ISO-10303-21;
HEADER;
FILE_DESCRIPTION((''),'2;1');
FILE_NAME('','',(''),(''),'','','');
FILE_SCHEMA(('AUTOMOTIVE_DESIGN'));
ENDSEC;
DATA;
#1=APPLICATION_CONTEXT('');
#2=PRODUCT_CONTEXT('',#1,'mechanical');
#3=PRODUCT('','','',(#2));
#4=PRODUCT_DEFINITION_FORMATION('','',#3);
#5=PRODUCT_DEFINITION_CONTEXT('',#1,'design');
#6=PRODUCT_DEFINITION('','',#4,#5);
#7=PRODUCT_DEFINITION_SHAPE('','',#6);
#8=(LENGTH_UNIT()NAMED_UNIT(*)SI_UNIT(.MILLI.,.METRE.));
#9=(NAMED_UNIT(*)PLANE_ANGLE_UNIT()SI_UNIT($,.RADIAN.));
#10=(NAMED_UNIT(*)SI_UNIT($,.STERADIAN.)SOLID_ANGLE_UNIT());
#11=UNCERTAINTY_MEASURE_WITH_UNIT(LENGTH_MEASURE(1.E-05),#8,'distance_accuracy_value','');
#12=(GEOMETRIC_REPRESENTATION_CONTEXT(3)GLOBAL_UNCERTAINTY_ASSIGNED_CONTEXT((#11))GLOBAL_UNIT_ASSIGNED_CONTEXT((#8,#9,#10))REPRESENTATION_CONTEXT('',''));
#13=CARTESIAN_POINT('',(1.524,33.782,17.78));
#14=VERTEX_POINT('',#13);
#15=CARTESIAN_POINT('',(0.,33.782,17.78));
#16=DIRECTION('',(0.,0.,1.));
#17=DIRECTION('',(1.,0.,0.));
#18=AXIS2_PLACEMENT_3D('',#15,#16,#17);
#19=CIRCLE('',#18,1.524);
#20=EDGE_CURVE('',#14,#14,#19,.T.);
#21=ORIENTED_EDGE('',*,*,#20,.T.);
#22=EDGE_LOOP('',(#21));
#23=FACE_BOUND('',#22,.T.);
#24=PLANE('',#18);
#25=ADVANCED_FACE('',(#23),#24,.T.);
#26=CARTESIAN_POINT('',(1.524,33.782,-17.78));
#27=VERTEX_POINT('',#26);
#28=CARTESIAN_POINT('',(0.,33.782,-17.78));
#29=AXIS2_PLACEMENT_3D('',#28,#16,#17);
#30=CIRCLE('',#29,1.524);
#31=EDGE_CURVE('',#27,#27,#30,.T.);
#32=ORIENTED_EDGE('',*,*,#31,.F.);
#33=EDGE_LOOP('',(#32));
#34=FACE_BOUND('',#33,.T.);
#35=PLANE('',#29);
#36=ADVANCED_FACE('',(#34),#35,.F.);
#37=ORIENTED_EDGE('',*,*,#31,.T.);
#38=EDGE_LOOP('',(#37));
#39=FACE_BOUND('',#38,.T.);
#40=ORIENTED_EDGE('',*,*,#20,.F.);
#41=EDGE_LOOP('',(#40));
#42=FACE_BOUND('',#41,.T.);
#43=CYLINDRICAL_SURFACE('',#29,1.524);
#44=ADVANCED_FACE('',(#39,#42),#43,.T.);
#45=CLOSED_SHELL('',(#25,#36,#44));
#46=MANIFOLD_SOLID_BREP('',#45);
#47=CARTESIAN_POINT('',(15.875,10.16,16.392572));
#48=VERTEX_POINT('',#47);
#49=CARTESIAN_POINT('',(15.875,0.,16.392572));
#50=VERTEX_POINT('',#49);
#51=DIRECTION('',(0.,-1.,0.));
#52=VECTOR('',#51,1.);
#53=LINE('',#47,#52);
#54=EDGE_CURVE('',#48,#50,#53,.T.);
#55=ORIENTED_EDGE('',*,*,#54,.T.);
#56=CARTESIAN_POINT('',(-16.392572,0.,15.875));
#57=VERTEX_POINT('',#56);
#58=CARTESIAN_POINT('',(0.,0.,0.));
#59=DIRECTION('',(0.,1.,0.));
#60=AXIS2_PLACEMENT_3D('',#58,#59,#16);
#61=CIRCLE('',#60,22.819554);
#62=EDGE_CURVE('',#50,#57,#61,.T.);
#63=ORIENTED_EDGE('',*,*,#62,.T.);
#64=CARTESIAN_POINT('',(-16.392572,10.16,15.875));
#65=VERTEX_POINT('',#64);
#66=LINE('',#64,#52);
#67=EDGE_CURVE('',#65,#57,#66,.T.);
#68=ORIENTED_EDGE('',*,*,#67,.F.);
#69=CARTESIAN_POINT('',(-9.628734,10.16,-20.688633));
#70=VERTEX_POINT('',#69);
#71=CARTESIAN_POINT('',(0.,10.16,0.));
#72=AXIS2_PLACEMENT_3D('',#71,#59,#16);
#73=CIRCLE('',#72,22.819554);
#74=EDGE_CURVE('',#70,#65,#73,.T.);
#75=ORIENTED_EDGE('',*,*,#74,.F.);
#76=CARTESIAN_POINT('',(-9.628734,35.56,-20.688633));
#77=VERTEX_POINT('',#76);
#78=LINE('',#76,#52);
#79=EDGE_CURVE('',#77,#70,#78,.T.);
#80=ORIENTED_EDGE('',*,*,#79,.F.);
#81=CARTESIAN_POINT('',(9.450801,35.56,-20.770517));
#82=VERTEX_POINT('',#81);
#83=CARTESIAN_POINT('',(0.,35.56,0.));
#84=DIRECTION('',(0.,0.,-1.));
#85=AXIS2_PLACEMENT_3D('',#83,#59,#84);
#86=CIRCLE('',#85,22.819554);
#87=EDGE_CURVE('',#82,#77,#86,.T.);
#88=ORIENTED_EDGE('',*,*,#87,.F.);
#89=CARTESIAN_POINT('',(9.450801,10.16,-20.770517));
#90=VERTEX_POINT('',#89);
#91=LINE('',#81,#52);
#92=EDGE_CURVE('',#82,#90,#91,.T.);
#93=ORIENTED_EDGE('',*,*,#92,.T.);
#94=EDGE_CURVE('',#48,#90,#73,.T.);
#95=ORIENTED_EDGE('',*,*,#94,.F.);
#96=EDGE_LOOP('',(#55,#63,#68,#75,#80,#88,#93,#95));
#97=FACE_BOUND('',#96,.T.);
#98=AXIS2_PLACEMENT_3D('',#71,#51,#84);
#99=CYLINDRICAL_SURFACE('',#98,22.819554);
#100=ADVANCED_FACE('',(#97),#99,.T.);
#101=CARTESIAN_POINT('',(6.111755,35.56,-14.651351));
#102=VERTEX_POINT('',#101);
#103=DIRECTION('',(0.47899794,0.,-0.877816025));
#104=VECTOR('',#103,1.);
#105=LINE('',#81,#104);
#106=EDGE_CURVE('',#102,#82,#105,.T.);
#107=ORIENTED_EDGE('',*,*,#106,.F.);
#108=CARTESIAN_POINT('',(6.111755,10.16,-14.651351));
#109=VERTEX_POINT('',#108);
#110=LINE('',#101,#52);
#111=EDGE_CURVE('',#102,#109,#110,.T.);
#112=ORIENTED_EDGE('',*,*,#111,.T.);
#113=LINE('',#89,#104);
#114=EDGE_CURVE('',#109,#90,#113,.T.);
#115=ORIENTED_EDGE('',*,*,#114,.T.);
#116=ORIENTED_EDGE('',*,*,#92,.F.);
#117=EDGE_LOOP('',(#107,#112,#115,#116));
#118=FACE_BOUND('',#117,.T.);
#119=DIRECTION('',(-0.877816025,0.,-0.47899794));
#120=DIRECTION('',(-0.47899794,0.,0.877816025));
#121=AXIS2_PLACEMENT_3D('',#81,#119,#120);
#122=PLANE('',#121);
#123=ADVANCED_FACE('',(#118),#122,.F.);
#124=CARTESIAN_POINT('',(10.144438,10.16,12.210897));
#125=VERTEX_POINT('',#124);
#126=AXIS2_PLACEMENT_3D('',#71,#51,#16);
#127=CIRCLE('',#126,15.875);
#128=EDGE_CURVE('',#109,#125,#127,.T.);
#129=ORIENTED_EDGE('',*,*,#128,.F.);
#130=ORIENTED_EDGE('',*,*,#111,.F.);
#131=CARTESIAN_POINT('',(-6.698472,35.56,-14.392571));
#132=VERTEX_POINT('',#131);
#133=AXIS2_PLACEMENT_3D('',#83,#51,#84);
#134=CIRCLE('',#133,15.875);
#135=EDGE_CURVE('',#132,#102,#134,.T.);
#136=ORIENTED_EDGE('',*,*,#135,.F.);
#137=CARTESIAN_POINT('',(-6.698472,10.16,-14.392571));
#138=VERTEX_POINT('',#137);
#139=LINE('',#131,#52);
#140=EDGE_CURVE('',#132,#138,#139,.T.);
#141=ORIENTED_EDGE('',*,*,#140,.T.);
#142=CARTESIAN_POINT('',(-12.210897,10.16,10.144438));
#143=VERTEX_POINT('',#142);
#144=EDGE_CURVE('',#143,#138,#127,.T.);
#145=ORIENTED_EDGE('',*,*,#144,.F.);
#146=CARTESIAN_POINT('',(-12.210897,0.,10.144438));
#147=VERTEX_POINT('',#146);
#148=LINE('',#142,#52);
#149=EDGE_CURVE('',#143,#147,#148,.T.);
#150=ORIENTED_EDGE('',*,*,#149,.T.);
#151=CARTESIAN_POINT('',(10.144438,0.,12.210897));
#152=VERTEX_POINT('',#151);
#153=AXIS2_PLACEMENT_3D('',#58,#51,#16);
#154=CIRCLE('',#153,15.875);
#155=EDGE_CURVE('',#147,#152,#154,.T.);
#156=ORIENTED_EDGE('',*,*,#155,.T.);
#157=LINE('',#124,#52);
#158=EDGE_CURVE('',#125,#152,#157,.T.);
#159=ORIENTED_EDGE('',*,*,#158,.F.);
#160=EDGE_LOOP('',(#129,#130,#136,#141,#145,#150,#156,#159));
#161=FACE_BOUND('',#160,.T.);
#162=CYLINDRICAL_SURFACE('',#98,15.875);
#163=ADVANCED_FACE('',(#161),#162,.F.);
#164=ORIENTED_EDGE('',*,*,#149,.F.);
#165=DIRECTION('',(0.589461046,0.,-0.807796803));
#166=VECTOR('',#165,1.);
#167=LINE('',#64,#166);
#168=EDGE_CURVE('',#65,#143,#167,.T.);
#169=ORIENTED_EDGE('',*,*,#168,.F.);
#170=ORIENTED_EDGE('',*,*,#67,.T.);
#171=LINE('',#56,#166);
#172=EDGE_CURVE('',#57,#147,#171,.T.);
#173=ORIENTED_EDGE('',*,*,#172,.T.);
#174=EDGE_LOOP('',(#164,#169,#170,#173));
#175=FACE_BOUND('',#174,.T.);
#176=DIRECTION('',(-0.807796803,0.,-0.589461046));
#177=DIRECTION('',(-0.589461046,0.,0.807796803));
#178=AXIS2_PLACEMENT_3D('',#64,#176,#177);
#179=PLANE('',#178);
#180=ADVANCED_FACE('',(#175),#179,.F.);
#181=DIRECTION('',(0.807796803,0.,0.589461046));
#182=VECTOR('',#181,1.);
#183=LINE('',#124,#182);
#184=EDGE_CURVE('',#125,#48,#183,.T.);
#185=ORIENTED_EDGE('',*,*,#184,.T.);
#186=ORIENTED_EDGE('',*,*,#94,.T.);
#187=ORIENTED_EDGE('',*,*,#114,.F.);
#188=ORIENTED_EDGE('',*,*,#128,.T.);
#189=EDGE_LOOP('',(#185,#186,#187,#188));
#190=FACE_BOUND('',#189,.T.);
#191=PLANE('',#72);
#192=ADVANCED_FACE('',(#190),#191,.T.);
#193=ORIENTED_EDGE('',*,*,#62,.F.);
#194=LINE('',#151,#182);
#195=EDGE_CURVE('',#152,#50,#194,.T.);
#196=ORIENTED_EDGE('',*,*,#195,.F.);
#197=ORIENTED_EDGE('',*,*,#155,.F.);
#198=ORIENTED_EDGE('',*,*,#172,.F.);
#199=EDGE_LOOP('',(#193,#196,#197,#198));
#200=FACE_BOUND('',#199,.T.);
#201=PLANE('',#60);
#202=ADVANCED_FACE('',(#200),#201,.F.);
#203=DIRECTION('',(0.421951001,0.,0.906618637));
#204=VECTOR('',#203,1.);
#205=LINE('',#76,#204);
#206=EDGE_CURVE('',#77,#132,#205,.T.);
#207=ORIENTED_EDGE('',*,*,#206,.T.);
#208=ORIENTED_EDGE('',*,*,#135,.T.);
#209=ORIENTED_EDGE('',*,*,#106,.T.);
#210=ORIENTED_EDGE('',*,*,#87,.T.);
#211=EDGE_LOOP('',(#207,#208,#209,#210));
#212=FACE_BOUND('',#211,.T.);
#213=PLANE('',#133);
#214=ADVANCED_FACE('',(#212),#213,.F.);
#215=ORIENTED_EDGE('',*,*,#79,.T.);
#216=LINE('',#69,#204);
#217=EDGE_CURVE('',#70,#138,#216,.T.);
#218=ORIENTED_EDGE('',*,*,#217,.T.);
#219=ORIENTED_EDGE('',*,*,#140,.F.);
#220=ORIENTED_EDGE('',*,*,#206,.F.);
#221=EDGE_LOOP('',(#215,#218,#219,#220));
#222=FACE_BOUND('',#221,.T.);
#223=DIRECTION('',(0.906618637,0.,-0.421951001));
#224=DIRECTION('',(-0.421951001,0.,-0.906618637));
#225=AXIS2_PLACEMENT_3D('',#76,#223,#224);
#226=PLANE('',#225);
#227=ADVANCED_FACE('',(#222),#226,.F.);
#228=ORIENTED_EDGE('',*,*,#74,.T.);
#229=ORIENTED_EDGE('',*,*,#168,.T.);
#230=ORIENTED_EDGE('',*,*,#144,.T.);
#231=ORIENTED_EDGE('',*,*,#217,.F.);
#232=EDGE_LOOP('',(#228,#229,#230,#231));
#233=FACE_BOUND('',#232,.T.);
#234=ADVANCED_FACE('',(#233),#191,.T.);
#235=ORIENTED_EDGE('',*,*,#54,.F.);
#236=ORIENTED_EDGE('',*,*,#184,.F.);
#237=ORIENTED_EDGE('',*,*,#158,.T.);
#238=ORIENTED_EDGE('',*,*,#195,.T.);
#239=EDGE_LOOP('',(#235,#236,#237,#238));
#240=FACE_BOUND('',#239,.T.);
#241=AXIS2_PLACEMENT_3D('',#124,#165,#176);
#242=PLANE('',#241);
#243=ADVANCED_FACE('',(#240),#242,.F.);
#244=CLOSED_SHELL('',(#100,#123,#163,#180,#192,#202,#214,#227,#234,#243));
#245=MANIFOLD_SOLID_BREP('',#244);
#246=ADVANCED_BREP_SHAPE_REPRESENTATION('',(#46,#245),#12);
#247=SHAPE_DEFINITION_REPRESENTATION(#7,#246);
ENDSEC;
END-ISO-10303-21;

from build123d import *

# Parameters (mm, degrees)
BOSS_EXTRUDE1_DEPTH      = 10.16
BOSS_EXTRUDE2_DEPTH      = 25.4
SKETCH10_R               = 1.524
BOSS_EXTRUDE3_DEPTH      = 17.78
BOSS_EXTRUDE3_DEPTH_BACK = 17.78


with BuildPart() as part:
    # Sketch1 → Boss-Extrude1 (new body)
    with BuildSketch(Plane(origin=(0, 0, 0), x_dir=(1, 0, 0), z_dir=(0, 1, 0))):
        with BuildLine():
            Line((-16.392571649, -15.875), (-12.210897172, -10.144437651))
            ThreePointArc((-12.210897172, -10.144437651), (1.461207541, 15.807608849), (10.144437651, -12.210897172))
            Line((10.144437651, -12.210897172), (15.875, -16.392571649))
            ThreePointArc((15.875, -16.392571649), (0.365978423, 22.816618725), (-16.392571649, -15.875))
        make_face()
    extrude(amount=BOSS_EXTRUDE1_DEPTH)

    # Sketch5 → Boss-Extrude2 (add)
    with BuildSketch(Plane(origin=(0, 10.16, 0), x_dir=(1, 0, 0), z_dir=(0, 1, 0))):
        with BuildLine():
            Line((-9.628733509, 20.688632658), (-6.698472134, 14.392570864))
            ThreePointArc((-6.698472134, 14.392570864), (-0.320626088, 15.87176184), (6.111754726, 14.651350763))
            Line((6.111754726, 14.651350763), (9.450800874, 20.770517401))
            ThreePointArc((9.450800874, 20.770517401), (-0.097935098, 22.819343526), (-9.628733509, 20.688632658))
        make_face()
    extrude(amount=BOSS_EXTRUDE2_DEPTH)


with BuildPart() as body_2:
    # Sketch10 → Boss-Extrude3 (new body, two sides)
    with BuildSketch(Plane.XY) as boss_extrude3_sk:
        with Locations((0, 33.782)):
            Circle(SKETCH10_R)
    extrude(amount=BOSS_EXTRUDE3_DEPTH)
    extrude(boss_extrude3_sk.sketch, amount=-BOSS_EXTRUDE3_DEPTH_BACK)


solid = Compound([part.part, body_2.part])
